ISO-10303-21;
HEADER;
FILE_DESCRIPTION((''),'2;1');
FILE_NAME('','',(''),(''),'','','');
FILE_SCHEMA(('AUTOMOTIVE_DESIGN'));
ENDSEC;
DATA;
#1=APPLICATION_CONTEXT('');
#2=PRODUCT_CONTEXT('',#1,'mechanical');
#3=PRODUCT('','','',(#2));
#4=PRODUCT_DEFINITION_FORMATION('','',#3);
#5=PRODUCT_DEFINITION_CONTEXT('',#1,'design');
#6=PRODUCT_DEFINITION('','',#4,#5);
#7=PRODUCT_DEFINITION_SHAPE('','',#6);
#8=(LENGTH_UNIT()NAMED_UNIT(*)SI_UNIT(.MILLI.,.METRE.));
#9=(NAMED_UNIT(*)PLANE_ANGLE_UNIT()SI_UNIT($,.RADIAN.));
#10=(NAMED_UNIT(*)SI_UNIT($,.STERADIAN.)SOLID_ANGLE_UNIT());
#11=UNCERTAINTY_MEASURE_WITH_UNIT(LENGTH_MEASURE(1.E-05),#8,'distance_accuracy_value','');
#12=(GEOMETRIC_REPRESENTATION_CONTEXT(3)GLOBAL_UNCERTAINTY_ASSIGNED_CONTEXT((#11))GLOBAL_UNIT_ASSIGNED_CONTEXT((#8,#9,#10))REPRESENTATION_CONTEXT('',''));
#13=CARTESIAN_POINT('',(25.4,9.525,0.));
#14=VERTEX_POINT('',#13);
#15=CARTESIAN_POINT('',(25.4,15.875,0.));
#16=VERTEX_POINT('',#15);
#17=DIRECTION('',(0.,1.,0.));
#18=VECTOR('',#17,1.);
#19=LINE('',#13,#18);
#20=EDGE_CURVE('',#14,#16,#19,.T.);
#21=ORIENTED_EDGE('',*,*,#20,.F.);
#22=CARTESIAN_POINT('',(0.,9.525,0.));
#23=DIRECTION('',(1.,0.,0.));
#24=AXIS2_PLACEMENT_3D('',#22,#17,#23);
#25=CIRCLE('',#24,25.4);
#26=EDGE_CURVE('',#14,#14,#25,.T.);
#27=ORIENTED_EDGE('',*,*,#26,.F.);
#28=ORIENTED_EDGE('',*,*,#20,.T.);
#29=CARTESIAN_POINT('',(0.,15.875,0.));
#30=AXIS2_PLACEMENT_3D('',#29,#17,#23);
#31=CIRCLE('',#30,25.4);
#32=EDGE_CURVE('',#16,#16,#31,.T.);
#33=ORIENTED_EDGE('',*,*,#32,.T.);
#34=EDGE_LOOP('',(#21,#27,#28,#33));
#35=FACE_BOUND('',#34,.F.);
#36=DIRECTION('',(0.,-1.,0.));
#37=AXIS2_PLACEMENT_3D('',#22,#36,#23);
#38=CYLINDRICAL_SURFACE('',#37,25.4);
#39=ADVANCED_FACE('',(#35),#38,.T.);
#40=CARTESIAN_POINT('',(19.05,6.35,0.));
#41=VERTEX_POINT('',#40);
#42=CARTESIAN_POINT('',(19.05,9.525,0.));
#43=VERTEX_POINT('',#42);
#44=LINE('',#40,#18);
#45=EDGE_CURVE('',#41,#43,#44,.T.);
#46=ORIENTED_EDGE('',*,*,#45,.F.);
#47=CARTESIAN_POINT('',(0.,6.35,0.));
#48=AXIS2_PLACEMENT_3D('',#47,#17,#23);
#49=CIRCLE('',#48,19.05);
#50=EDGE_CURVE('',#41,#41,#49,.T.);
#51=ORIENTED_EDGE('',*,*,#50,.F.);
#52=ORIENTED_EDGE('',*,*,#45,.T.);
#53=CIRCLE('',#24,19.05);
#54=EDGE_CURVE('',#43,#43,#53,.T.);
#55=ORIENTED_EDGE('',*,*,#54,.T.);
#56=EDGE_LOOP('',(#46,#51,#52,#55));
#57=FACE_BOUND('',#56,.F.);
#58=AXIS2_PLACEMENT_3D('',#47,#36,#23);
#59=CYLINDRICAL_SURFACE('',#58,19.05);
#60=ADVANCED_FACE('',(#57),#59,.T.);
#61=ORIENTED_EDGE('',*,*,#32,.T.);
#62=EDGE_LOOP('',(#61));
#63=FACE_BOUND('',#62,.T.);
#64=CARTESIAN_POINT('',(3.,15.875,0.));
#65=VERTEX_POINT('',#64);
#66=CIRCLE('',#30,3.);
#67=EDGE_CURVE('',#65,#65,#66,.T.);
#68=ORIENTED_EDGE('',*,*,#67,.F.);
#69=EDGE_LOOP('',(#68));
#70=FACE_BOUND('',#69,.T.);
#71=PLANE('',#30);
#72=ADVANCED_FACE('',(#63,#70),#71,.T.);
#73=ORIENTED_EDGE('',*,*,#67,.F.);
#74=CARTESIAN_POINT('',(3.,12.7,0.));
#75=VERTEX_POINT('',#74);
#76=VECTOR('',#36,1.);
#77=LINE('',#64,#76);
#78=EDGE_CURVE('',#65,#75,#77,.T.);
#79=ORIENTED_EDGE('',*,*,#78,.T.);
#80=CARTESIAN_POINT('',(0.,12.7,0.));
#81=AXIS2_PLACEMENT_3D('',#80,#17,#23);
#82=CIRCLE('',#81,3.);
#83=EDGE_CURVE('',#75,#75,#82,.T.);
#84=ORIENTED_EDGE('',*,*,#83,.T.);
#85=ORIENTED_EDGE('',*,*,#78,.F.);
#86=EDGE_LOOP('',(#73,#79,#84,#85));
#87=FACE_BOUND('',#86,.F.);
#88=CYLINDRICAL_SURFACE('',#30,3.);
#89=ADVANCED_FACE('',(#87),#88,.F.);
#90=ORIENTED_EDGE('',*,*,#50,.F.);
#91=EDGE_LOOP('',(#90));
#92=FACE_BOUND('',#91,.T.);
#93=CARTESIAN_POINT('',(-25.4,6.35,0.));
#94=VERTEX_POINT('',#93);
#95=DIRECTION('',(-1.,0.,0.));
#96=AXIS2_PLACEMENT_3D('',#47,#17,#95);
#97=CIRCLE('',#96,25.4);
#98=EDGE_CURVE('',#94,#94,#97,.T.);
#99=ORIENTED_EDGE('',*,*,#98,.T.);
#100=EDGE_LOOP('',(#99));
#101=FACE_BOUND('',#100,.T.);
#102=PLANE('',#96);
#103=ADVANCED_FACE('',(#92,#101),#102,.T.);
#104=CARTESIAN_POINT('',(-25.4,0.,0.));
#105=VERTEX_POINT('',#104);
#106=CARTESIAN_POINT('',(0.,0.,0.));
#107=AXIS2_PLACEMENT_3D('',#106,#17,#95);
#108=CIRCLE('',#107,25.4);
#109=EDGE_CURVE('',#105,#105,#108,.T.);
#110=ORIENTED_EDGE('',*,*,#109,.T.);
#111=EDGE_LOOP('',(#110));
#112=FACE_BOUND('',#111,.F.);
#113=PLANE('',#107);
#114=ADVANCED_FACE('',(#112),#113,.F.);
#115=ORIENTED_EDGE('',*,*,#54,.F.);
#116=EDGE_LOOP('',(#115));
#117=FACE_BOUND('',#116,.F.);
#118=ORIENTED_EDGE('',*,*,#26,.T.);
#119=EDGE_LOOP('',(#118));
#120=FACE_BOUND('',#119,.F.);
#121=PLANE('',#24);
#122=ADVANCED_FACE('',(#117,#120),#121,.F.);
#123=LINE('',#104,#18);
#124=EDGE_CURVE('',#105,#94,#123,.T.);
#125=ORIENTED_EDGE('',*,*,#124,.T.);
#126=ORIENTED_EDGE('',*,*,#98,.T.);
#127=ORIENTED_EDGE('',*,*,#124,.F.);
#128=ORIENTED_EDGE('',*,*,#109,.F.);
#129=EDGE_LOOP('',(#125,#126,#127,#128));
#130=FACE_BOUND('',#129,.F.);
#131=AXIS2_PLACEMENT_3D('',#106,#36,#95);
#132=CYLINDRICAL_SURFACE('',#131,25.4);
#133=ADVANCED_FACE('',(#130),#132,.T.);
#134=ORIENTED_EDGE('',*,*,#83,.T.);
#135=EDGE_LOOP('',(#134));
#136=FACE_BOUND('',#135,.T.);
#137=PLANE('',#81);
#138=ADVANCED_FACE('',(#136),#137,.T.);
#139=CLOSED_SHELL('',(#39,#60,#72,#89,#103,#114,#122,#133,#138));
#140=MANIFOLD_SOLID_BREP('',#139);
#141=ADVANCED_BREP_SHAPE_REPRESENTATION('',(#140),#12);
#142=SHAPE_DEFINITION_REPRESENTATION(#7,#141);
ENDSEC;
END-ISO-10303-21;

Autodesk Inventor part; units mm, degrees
ref_plane "YZ Plane" through (0, 0, 0) normal (1, 0, 0) x (0, 1, 0)
ref_plane "XZ Plane" through (0, 0, 0) normal (0, 1, 0) x (-1, 0, 0)
ref_plane "XY Plane" through (0, 0, 0) normal (0, 0, 1) x (1, 0, 0)
sketch "Sketch1" plane through (0, 0, 0) normal (0, 1, 0) x (-1, 0, 0)
  circle A0 centre (0, 0) radius 25.4
  dimension "d0" = 50.8
extrude "Extrusion1" add sketch "Sketch1" along normal blind 6.35
sketch "Sketch2" plane through (0, 6.35, 0) normal (0, 1, 0) x (1, 0, 0)
  circle A0 centre (0, 0) radius 19.05
  dimension "d3" = 38.1
extrude "Extrusion2" add sketch "Sketch2" along normal blind 3.175
sketch "Sketch3" plane through (0, 9.525, 0) normal (0, 1, 0) x (1, 0, 0)
  circle A0 centre (0, 0) radius 25.4
  dimension "d6" = 50.8
extrude "Extrusion3" add sketch "Sketch3" along normal blind 6.35
sketch "Sketch5" plane through (0, 15.875, 0) normal (0, 1, 0) x (1, 0, 0)
  circle A0 centre (0, 0) radius 3
  dimension "d12" = 6
extrude "Extrusion5" cut sketch "Sketch5" against normal blind 3.175
properties part number "Drive_Wheel"
